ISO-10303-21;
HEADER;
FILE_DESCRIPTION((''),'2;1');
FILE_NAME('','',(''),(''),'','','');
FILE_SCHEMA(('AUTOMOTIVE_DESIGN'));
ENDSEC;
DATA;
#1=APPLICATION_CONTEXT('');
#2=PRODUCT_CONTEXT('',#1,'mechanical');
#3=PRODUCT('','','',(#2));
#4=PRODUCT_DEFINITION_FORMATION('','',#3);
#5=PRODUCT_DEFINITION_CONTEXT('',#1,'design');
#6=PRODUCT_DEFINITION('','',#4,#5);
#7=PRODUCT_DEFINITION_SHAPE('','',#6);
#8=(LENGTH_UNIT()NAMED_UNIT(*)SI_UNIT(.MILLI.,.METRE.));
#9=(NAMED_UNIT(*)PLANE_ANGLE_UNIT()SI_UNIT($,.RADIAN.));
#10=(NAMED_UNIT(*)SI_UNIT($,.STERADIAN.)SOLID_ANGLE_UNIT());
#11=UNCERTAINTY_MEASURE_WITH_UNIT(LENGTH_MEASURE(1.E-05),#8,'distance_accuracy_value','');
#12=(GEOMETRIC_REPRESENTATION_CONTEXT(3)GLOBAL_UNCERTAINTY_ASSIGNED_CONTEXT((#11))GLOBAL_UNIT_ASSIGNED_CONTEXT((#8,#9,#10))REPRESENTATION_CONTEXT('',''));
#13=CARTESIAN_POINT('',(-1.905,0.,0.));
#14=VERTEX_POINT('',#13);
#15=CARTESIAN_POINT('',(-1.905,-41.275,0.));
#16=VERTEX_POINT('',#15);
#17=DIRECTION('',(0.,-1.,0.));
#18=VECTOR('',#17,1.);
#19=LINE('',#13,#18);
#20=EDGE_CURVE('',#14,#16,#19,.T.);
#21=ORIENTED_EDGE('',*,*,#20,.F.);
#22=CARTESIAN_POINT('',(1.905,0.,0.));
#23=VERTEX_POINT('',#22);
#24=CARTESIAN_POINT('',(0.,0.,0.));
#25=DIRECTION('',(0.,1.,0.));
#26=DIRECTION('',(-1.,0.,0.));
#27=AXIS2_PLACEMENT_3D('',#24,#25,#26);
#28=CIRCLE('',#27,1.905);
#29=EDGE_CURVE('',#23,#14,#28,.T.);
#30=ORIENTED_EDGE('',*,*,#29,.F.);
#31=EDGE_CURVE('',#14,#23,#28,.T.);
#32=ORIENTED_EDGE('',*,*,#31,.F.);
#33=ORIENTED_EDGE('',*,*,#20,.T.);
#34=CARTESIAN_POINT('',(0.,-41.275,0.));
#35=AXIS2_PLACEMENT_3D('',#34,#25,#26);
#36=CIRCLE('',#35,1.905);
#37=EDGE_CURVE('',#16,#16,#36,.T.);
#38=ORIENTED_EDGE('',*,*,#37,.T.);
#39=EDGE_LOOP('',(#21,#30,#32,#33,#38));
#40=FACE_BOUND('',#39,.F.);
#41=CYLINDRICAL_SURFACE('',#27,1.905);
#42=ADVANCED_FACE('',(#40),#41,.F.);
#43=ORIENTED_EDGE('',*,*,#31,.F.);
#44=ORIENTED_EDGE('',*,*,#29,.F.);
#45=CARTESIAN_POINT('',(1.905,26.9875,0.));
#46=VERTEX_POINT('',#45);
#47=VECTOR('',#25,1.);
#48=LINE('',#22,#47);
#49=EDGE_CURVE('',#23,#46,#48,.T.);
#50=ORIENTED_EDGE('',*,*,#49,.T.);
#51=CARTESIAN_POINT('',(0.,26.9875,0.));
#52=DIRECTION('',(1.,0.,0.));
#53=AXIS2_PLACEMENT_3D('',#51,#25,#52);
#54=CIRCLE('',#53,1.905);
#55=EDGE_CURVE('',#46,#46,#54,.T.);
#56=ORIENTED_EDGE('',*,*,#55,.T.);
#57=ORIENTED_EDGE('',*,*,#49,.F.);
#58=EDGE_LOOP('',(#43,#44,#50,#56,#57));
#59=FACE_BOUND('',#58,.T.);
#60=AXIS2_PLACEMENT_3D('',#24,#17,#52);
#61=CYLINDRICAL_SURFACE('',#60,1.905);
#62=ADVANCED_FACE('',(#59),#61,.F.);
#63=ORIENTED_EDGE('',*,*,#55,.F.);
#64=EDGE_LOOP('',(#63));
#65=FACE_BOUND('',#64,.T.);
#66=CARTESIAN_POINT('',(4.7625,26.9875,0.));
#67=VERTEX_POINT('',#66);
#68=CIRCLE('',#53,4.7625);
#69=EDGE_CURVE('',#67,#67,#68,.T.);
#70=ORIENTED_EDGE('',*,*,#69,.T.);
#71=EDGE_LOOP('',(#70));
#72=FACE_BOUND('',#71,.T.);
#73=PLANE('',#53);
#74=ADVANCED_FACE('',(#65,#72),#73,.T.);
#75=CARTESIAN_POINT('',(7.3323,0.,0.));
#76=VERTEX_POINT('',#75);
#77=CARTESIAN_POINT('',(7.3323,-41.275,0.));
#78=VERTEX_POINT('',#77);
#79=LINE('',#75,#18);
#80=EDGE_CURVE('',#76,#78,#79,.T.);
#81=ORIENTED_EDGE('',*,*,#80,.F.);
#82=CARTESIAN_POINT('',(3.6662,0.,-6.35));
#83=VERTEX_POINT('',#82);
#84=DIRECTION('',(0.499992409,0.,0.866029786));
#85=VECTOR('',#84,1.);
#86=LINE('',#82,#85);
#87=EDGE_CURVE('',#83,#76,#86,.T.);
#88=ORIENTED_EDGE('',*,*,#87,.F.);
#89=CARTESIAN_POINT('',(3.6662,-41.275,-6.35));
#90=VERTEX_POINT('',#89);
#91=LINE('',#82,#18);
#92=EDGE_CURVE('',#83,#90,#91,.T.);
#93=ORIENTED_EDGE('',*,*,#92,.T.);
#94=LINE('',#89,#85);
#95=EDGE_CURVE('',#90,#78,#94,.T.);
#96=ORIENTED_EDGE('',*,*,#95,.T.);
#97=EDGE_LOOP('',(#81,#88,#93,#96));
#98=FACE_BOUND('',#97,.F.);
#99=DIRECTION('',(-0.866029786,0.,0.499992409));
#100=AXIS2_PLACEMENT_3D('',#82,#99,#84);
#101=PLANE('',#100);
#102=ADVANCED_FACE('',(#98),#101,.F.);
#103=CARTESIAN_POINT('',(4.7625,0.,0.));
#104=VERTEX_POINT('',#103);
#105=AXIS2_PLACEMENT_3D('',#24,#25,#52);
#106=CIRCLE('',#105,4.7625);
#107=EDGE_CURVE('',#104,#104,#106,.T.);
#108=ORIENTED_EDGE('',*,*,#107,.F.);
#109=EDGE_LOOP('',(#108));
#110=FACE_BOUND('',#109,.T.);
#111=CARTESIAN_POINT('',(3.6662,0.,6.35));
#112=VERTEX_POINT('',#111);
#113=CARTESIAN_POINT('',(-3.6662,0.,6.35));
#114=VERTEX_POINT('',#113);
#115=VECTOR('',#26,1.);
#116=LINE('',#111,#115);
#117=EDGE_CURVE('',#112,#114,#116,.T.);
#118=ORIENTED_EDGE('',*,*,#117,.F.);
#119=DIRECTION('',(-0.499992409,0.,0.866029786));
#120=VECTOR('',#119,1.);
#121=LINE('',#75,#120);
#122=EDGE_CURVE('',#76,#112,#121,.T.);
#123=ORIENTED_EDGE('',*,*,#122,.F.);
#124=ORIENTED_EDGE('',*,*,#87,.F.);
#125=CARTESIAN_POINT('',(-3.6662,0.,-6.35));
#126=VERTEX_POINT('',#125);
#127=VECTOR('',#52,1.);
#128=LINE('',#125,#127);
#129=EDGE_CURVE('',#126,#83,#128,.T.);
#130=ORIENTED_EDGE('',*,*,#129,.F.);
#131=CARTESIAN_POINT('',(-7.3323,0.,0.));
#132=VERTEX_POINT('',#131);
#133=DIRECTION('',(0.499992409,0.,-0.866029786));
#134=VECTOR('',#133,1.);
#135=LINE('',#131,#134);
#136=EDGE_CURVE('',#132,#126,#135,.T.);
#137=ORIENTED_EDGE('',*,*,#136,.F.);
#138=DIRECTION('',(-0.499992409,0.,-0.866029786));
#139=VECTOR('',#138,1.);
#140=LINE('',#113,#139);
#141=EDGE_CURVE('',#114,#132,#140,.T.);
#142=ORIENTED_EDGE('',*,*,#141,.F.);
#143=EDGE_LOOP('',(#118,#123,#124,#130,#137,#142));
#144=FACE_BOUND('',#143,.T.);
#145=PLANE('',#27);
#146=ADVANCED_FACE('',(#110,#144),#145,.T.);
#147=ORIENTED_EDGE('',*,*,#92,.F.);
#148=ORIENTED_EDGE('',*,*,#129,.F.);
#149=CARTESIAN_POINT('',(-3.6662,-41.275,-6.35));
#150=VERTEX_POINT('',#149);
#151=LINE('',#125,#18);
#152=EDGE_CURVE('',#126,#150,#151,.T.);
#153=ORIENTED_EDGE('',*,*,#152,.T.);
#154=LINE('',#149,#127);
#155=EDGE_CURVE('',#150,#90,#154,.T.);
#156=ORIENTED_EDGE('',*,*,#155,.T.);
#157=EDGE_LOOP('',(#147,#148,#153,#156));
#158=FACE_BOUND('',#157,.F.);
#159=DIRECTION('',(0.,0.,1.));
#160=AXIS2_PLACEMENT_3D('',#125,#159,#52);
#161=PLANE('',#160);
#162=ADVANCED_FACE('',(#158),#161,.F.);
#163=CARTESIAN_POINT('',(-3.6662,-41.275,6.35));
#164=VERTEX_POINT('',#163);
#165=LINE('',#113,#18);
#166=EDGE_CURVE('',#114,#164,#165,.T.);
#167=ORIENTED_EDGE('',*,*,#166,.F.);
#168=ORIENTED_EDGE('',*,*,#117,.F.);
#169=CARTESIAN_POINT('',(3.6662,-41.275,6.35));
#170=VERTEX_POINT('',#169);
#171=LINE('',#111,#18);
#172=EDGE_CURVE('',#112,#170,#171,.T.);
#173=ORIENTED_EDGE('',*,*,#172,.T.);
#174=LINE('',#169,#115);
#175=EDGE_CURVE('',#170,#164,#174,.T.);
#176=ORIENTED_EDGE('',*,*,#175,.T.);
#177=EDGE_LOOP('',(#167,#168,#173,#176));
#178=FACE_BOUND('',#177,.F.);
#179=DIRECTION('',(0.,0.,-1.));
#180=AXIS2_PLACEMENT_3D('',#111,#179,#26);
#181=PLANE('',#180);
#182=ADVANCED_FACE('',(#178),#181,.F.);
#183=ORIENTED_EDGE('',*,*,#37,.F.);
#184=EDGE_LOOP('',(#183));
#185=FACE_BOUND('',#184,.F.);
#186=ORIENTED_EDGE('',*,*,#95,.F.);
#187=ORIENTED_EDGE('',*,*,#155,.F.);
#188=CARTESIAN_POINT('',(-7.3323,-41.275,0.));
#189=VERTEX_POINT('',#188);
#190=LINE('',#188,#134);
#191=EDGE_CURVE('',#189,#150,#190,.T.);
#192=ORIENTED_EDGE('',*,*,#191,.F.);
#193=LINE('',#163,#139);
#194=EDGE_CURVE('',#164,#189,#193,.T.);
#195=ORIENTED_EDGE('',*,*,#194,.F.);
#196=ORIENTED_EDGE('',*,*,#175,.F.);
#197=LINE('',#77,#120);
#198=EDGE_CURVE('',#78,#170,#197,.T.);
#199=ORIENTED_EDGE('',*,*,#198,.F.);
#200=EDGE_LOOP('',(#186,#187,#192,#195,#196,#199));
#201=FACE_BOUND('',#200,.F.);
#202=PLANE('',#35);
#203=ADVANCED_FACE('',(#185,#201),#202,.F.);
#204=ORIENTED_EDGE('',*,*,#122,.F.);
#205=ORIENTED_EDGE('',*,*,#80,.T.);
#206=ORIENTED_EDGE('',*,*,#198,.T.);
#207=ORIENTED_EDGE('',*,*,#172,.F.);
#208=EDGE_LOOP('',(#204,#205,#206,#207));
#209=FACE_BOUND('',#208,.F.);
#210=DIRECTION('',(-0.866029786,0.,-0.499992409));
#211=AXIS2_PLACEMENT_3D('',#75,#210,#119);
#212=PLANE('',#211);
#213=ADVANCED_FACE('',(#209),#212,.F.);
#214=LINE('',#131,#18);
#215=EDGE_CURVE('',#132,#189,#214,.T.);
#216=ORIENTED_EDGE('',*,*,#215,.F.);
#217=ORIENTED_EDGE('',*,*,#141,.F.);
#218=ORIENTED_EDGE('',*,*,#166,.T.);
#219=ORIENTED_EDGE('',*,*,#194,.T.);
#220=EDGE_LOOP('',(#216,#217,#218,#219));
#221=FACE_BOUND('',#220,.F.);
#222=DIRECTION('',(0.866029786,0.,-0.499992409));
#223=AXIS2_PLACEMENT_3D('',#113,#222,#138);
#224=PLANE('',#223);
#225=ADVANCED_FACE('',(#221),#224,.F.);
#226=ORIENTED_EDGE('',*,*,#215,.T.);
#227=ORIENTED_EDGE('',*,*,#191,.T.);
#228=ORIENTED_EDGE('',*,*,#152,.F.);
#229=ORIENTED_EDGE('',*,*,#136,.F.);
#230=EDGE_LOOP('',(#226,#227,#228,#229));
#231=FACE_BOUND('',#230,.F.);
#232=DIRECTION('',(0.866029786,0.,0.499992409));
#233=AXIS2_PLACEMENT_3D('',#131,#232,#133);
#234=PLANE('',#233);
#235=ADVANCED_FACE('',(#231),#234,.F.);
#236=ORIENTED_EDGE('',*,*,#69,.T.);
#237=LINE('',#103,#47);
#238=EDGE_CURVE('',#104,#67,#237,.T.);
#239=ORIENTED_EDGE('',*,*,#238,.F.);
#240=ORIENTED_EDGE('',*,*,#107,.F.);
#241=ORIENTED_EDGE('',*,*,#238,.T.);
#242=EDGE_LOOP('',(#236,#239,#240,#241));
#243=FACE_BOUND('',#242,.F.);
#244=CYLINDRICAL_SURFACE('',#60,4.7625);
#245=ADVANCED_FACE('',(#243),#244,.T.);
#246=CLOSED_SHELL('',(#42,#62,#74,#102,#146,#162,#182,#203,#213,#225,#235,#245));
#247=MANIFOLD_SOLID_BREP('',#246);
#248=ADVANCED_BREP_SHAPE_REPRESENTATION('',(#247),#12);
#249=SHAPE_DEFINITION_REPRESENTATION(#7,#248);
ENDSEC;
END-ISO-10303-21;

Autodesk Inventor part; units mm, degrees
ref_plane "YZ Plane" through (0, 0, 0) normal (1, 0, 0) x (0, 1, 0)
ref_plane "XZ Plane" through (0, 0, 0) normal (0, 1, 0) x (-1, 0, 0)
ref_plane "XY Plane" through (0, 0, 0) normal (0, 0, 1) x (1, 0, 0)
sketch "Sketch1" plane through (0, 0, 0) normal (0, 1, 0) x (-1, 0, 0)
  line L0 (3.6662, -6.35) -> (-3.6662, -6.35)
  line L1 (-3.6662, -6.35) -> (-7.3323, 0)
  line L2 (-7.3323, 0) -> (-3.6662, 6.35)
  line L3 (-3.6662, 6.35) -> (3.6662, 6.35)
  line L4 (3.6662, 6.35) -> (7.3323, 0)
  line L5 (7.3323, 0) -> (3.6662, -6.35)
  circle A0 centre (0, 0) radius 1.905
  dimension "d0" = 12.7
  dimension "d6" = 3.81
extrude "Extrusion1" add sketch "Sketch1" against normal blind 41.275
sketch "Sketch2" plane through (0, 0, 0) normal (0, 1, 0) x (1, 0, 0)
  circle A0 centre (0, 0) radius 4.7625
  circle A1 centre (0, 0) radius 1.905 projected
  dimension "d3" = 9.525
extrude "Extrusion2" add sketch "Sketch2" along normal blind 26.9875
properties part number "Roller shaft"
